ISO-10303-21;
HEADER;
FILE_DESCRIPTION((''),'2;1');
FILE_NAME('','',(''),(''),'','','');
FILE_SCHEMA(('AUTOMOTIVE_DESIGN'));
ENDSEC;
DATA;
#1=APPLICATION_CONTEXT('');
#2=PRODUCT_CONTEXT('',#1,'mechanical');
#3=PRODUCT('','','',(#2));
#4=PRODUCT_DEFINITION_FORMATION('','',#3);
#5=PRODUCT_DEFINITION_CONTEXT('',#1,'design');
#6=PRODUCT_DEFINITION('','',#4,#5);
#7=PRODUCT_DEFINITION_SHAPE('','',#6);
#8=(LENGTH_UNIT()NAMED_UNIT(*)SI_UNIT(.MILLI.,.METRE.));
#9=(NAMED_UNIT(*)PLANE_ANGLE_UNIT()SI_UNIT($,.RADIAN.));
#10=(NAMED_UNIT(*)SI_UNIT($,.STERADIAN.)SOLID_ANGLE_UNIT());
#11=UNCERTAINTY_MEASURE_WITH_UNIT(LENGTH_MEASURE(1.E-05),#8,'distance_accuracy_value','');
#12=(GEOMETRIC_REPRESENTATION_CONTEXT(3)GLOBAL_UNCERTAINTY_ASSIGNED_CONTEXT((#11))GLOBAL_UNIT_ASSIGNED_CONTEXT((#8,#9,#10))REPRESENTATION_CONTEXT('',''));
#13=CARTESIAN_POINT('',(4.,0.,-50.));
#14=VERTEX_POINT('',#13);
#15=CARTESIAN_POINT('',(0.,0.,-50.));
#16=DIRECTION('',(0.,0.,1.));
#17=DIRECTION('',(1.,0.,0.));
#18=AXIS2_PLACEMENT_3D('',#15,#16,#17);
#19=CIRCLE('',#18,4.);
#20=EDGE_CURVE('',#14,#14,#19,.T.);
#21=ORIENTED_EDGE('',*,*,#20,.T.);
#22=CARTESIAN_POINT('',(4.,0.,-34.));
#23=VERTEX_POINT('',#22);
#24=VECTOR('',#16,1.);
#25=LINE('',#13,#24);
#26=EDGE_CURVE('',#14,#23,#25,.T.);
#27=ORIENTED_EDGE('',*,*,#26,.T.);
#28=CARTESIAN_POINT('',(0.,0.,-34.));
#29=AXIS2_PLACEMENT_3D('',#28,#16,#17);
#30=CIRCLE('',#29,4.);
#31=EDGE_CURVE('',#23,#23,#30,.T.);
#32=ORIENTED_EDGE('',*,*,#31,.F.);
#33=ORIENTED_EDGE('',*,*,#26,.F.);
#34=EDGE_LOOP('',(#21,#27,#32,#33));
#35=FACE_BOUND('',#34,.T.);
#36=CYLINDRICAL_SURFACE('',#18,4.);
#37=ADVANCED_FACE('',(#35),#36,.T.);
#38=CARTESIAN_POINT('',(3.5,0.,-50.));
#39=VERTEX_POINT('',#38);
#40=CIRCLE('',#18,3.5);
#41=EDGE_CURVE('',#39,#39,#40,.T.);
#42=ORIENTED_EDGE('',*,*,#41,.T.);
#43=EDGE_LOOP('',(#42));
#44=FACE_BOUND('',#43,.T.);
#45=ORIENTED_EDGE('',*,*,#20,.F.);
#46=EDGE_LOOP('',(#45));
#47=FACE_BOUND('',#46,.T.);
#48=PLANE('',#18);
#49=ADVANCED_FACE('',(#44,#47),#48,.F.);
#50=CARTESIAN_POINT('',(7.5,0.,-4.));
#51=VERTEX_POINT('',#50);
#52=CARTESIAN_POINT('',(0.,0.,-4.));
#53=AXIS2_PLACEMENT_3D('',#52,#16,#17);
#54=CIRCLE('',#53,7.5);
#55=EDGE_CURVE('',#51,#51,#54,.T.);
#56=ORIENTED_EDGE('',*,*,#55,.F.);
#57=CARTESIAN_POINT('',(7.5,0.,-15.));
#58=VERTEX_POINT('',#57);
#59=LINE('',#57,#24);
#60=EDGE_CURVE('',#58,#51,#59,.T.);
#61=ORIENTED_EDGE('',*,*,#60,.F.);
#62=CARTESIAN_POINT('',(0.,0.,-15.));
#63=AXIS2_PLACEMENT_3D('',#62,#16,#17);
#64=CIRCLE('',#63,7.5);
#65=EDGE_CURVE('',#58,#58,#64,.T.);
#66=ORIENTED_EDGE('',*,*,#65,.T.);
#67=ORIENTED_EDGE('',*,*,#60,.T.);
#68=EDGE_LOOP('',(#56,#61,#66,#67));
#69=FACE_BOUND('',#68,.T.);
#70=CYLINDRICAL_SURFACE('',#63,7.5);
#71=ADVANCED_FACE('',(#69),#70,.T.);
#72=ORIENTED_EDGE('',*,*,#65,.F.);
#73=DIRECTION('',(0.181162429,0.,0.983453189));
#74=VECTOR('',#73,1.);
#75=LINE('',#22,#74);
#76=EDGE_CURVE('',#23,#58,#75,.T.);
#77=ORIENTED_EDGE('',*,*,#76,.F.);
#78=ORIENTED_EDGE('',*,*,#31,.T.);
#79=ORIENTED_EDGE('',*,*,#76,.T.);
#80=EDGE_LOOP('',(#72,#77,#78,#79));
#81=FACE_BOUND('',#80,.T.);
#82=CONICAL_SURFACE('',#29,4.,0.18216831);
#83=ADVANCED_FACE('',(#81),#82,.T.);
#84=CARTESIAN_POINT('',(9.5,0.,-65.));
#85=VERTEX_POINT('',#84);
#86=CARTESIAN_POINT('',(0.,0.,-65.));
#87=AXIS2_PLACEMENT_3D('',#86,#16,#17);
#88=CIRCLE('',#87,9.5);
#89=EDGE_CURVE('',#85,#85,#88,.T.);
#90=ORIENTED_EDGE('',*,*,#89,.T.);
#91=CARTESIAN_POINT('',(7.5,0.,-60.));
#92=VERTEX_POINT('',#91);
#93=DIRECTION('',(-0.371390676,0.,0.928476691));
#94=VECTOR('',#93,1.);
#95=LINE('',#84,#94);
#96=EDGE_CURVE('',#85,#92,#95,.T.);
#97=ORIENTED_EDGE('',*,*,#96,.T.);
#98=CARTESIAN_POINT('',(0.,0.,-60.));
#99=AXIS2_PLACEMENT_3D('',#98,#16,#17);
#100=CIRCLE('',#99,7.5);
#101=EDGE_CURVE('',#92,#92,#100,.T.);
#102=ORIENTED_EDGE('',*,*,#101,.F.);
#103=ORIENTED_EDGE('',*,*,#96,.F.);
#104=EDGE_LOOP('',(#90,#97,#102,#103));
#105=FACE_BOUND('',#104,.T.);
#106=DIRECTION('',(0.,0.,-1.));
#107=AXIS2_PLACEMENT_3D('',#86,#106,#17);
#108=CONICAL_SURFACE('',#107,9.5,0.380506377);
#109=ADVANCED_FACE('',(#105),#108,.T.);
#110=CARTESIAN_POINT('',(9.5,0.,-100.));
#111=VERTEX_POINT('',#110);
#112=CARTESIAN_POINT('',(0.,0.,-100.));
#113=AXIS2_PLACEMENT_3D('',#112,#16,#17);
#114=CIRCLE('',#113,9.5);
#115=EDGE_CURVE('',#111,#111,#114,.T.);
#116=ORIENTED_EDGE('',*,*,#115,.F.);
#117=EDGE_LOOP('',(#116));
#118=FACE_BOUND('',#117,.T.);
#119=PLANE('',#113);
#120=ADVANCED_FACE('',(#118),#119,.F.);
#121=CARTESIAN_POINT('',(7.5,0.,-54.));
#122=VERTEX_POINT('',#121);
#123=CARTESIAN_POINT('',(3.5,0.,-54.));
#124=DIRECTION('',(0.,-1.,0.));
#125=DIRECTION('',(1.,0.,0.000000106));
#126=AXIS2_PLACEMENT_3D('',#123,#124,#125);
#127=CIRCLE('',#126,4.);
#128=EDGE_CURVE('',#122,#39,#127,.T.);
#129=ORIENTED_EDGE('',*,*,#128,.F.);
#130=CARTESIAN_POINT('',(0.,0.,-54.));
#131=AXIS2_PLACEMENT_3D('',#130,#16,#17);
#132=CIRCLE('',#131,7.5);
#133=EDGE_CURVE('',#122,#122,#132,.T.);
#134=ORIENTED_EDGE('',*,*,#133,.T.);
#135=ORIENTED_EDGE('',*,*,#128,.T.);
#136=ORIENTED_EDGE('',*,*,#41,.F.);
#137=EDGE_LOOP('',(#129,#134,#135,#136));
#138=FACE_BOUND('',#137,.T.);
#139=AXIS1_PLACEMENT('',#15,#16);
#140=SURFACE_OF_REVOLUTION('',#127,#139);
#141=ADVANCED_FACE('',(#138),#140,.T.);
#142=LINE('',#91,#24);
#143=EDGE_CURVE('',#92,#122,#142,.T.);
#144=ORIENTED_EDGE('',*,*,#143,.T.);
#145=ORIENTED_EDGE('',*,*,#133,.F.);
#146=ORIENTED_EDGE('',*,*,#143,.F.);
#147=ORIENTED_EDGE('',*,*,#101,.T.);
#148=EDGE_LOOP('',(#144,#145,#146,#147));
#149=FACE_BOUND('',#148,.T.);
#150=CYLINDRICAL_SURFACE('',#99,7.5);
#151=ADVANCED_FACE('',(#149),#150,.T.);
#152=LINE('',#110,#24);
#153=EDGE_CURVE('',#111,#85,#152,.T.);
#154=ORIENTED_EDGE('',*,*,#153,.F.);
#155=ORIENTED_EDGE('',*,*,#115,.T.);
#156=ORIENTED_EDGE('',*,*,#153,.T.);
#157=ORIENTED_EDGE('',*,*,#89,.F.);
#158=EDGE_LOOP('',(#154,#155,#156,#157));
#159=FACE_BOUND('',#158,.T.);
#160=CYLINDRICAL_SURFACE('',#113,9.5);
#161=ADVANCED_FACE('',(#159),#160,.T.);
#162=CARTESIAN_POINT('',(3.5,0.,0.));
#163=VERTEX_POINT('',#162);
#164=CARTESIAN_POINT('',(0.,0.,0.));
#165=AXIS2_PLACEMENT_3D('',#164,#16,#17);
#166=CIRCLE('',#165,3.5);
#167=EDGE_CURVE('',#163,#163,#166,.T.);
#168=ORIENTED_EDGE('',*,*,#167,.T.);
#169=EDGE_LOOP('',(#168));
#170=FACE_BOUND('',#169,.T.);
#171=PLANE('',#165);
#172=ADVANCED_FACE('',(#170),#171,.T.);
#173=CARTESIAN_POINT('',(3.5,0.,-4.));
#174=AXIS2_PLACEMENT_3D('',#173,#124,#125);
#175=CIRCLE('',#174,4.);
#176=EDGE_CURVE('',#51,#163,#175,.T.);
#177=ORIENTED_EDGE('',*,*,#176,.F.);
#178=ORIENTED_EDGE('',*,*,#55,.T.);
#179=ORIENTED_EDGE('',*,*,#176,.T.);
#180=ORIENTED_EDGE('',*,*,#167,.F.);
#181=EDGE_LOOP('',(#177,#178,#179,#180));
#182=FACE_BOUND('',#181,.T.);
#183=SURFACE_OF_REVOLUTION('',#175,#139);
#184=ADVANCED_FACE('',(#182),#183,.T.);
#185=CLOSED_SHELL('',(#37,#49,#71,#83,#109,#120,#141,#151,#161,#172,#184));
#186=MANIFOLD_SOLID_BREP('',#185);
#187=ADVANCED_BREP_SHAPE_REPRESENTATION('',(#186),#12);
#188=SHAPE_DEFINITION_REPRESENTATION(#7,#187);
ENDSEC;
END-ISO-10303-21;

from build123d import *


with BuildPart() as f1:
    # F0 (on Front) → F1 (revolve)
    with BuildSketch(Plane.XZ):
        with BuildLine():
            Line((3.5, 0), (0, 0))
            Line((0, 0), (0, -100))
            Line((0, -100), (9.5, -100))
            Line((9.5, -100), (9.5, -65))
            Line((9.5, -65), (7.5, -60))
            Line((7.5, -60), (7.5, -54))
            ThreePointArc((7.5, -54), (6.328427, -51.171573), (3.5, -50))
            Line((3.5, -50), (4, -50))
            Line((4, -50), (4, -34))
            Line((4, -34), (7.5, -15))
            Line((7.5, -15), (7.5, -4))
            ThreePointArc((7.5, -4), (6.328427, -1.171573), (3.5, 0))
        make_face()
    revolve(axis=Axis((0, 0, -50), (0, 0, 1)))


solid = f1.part
